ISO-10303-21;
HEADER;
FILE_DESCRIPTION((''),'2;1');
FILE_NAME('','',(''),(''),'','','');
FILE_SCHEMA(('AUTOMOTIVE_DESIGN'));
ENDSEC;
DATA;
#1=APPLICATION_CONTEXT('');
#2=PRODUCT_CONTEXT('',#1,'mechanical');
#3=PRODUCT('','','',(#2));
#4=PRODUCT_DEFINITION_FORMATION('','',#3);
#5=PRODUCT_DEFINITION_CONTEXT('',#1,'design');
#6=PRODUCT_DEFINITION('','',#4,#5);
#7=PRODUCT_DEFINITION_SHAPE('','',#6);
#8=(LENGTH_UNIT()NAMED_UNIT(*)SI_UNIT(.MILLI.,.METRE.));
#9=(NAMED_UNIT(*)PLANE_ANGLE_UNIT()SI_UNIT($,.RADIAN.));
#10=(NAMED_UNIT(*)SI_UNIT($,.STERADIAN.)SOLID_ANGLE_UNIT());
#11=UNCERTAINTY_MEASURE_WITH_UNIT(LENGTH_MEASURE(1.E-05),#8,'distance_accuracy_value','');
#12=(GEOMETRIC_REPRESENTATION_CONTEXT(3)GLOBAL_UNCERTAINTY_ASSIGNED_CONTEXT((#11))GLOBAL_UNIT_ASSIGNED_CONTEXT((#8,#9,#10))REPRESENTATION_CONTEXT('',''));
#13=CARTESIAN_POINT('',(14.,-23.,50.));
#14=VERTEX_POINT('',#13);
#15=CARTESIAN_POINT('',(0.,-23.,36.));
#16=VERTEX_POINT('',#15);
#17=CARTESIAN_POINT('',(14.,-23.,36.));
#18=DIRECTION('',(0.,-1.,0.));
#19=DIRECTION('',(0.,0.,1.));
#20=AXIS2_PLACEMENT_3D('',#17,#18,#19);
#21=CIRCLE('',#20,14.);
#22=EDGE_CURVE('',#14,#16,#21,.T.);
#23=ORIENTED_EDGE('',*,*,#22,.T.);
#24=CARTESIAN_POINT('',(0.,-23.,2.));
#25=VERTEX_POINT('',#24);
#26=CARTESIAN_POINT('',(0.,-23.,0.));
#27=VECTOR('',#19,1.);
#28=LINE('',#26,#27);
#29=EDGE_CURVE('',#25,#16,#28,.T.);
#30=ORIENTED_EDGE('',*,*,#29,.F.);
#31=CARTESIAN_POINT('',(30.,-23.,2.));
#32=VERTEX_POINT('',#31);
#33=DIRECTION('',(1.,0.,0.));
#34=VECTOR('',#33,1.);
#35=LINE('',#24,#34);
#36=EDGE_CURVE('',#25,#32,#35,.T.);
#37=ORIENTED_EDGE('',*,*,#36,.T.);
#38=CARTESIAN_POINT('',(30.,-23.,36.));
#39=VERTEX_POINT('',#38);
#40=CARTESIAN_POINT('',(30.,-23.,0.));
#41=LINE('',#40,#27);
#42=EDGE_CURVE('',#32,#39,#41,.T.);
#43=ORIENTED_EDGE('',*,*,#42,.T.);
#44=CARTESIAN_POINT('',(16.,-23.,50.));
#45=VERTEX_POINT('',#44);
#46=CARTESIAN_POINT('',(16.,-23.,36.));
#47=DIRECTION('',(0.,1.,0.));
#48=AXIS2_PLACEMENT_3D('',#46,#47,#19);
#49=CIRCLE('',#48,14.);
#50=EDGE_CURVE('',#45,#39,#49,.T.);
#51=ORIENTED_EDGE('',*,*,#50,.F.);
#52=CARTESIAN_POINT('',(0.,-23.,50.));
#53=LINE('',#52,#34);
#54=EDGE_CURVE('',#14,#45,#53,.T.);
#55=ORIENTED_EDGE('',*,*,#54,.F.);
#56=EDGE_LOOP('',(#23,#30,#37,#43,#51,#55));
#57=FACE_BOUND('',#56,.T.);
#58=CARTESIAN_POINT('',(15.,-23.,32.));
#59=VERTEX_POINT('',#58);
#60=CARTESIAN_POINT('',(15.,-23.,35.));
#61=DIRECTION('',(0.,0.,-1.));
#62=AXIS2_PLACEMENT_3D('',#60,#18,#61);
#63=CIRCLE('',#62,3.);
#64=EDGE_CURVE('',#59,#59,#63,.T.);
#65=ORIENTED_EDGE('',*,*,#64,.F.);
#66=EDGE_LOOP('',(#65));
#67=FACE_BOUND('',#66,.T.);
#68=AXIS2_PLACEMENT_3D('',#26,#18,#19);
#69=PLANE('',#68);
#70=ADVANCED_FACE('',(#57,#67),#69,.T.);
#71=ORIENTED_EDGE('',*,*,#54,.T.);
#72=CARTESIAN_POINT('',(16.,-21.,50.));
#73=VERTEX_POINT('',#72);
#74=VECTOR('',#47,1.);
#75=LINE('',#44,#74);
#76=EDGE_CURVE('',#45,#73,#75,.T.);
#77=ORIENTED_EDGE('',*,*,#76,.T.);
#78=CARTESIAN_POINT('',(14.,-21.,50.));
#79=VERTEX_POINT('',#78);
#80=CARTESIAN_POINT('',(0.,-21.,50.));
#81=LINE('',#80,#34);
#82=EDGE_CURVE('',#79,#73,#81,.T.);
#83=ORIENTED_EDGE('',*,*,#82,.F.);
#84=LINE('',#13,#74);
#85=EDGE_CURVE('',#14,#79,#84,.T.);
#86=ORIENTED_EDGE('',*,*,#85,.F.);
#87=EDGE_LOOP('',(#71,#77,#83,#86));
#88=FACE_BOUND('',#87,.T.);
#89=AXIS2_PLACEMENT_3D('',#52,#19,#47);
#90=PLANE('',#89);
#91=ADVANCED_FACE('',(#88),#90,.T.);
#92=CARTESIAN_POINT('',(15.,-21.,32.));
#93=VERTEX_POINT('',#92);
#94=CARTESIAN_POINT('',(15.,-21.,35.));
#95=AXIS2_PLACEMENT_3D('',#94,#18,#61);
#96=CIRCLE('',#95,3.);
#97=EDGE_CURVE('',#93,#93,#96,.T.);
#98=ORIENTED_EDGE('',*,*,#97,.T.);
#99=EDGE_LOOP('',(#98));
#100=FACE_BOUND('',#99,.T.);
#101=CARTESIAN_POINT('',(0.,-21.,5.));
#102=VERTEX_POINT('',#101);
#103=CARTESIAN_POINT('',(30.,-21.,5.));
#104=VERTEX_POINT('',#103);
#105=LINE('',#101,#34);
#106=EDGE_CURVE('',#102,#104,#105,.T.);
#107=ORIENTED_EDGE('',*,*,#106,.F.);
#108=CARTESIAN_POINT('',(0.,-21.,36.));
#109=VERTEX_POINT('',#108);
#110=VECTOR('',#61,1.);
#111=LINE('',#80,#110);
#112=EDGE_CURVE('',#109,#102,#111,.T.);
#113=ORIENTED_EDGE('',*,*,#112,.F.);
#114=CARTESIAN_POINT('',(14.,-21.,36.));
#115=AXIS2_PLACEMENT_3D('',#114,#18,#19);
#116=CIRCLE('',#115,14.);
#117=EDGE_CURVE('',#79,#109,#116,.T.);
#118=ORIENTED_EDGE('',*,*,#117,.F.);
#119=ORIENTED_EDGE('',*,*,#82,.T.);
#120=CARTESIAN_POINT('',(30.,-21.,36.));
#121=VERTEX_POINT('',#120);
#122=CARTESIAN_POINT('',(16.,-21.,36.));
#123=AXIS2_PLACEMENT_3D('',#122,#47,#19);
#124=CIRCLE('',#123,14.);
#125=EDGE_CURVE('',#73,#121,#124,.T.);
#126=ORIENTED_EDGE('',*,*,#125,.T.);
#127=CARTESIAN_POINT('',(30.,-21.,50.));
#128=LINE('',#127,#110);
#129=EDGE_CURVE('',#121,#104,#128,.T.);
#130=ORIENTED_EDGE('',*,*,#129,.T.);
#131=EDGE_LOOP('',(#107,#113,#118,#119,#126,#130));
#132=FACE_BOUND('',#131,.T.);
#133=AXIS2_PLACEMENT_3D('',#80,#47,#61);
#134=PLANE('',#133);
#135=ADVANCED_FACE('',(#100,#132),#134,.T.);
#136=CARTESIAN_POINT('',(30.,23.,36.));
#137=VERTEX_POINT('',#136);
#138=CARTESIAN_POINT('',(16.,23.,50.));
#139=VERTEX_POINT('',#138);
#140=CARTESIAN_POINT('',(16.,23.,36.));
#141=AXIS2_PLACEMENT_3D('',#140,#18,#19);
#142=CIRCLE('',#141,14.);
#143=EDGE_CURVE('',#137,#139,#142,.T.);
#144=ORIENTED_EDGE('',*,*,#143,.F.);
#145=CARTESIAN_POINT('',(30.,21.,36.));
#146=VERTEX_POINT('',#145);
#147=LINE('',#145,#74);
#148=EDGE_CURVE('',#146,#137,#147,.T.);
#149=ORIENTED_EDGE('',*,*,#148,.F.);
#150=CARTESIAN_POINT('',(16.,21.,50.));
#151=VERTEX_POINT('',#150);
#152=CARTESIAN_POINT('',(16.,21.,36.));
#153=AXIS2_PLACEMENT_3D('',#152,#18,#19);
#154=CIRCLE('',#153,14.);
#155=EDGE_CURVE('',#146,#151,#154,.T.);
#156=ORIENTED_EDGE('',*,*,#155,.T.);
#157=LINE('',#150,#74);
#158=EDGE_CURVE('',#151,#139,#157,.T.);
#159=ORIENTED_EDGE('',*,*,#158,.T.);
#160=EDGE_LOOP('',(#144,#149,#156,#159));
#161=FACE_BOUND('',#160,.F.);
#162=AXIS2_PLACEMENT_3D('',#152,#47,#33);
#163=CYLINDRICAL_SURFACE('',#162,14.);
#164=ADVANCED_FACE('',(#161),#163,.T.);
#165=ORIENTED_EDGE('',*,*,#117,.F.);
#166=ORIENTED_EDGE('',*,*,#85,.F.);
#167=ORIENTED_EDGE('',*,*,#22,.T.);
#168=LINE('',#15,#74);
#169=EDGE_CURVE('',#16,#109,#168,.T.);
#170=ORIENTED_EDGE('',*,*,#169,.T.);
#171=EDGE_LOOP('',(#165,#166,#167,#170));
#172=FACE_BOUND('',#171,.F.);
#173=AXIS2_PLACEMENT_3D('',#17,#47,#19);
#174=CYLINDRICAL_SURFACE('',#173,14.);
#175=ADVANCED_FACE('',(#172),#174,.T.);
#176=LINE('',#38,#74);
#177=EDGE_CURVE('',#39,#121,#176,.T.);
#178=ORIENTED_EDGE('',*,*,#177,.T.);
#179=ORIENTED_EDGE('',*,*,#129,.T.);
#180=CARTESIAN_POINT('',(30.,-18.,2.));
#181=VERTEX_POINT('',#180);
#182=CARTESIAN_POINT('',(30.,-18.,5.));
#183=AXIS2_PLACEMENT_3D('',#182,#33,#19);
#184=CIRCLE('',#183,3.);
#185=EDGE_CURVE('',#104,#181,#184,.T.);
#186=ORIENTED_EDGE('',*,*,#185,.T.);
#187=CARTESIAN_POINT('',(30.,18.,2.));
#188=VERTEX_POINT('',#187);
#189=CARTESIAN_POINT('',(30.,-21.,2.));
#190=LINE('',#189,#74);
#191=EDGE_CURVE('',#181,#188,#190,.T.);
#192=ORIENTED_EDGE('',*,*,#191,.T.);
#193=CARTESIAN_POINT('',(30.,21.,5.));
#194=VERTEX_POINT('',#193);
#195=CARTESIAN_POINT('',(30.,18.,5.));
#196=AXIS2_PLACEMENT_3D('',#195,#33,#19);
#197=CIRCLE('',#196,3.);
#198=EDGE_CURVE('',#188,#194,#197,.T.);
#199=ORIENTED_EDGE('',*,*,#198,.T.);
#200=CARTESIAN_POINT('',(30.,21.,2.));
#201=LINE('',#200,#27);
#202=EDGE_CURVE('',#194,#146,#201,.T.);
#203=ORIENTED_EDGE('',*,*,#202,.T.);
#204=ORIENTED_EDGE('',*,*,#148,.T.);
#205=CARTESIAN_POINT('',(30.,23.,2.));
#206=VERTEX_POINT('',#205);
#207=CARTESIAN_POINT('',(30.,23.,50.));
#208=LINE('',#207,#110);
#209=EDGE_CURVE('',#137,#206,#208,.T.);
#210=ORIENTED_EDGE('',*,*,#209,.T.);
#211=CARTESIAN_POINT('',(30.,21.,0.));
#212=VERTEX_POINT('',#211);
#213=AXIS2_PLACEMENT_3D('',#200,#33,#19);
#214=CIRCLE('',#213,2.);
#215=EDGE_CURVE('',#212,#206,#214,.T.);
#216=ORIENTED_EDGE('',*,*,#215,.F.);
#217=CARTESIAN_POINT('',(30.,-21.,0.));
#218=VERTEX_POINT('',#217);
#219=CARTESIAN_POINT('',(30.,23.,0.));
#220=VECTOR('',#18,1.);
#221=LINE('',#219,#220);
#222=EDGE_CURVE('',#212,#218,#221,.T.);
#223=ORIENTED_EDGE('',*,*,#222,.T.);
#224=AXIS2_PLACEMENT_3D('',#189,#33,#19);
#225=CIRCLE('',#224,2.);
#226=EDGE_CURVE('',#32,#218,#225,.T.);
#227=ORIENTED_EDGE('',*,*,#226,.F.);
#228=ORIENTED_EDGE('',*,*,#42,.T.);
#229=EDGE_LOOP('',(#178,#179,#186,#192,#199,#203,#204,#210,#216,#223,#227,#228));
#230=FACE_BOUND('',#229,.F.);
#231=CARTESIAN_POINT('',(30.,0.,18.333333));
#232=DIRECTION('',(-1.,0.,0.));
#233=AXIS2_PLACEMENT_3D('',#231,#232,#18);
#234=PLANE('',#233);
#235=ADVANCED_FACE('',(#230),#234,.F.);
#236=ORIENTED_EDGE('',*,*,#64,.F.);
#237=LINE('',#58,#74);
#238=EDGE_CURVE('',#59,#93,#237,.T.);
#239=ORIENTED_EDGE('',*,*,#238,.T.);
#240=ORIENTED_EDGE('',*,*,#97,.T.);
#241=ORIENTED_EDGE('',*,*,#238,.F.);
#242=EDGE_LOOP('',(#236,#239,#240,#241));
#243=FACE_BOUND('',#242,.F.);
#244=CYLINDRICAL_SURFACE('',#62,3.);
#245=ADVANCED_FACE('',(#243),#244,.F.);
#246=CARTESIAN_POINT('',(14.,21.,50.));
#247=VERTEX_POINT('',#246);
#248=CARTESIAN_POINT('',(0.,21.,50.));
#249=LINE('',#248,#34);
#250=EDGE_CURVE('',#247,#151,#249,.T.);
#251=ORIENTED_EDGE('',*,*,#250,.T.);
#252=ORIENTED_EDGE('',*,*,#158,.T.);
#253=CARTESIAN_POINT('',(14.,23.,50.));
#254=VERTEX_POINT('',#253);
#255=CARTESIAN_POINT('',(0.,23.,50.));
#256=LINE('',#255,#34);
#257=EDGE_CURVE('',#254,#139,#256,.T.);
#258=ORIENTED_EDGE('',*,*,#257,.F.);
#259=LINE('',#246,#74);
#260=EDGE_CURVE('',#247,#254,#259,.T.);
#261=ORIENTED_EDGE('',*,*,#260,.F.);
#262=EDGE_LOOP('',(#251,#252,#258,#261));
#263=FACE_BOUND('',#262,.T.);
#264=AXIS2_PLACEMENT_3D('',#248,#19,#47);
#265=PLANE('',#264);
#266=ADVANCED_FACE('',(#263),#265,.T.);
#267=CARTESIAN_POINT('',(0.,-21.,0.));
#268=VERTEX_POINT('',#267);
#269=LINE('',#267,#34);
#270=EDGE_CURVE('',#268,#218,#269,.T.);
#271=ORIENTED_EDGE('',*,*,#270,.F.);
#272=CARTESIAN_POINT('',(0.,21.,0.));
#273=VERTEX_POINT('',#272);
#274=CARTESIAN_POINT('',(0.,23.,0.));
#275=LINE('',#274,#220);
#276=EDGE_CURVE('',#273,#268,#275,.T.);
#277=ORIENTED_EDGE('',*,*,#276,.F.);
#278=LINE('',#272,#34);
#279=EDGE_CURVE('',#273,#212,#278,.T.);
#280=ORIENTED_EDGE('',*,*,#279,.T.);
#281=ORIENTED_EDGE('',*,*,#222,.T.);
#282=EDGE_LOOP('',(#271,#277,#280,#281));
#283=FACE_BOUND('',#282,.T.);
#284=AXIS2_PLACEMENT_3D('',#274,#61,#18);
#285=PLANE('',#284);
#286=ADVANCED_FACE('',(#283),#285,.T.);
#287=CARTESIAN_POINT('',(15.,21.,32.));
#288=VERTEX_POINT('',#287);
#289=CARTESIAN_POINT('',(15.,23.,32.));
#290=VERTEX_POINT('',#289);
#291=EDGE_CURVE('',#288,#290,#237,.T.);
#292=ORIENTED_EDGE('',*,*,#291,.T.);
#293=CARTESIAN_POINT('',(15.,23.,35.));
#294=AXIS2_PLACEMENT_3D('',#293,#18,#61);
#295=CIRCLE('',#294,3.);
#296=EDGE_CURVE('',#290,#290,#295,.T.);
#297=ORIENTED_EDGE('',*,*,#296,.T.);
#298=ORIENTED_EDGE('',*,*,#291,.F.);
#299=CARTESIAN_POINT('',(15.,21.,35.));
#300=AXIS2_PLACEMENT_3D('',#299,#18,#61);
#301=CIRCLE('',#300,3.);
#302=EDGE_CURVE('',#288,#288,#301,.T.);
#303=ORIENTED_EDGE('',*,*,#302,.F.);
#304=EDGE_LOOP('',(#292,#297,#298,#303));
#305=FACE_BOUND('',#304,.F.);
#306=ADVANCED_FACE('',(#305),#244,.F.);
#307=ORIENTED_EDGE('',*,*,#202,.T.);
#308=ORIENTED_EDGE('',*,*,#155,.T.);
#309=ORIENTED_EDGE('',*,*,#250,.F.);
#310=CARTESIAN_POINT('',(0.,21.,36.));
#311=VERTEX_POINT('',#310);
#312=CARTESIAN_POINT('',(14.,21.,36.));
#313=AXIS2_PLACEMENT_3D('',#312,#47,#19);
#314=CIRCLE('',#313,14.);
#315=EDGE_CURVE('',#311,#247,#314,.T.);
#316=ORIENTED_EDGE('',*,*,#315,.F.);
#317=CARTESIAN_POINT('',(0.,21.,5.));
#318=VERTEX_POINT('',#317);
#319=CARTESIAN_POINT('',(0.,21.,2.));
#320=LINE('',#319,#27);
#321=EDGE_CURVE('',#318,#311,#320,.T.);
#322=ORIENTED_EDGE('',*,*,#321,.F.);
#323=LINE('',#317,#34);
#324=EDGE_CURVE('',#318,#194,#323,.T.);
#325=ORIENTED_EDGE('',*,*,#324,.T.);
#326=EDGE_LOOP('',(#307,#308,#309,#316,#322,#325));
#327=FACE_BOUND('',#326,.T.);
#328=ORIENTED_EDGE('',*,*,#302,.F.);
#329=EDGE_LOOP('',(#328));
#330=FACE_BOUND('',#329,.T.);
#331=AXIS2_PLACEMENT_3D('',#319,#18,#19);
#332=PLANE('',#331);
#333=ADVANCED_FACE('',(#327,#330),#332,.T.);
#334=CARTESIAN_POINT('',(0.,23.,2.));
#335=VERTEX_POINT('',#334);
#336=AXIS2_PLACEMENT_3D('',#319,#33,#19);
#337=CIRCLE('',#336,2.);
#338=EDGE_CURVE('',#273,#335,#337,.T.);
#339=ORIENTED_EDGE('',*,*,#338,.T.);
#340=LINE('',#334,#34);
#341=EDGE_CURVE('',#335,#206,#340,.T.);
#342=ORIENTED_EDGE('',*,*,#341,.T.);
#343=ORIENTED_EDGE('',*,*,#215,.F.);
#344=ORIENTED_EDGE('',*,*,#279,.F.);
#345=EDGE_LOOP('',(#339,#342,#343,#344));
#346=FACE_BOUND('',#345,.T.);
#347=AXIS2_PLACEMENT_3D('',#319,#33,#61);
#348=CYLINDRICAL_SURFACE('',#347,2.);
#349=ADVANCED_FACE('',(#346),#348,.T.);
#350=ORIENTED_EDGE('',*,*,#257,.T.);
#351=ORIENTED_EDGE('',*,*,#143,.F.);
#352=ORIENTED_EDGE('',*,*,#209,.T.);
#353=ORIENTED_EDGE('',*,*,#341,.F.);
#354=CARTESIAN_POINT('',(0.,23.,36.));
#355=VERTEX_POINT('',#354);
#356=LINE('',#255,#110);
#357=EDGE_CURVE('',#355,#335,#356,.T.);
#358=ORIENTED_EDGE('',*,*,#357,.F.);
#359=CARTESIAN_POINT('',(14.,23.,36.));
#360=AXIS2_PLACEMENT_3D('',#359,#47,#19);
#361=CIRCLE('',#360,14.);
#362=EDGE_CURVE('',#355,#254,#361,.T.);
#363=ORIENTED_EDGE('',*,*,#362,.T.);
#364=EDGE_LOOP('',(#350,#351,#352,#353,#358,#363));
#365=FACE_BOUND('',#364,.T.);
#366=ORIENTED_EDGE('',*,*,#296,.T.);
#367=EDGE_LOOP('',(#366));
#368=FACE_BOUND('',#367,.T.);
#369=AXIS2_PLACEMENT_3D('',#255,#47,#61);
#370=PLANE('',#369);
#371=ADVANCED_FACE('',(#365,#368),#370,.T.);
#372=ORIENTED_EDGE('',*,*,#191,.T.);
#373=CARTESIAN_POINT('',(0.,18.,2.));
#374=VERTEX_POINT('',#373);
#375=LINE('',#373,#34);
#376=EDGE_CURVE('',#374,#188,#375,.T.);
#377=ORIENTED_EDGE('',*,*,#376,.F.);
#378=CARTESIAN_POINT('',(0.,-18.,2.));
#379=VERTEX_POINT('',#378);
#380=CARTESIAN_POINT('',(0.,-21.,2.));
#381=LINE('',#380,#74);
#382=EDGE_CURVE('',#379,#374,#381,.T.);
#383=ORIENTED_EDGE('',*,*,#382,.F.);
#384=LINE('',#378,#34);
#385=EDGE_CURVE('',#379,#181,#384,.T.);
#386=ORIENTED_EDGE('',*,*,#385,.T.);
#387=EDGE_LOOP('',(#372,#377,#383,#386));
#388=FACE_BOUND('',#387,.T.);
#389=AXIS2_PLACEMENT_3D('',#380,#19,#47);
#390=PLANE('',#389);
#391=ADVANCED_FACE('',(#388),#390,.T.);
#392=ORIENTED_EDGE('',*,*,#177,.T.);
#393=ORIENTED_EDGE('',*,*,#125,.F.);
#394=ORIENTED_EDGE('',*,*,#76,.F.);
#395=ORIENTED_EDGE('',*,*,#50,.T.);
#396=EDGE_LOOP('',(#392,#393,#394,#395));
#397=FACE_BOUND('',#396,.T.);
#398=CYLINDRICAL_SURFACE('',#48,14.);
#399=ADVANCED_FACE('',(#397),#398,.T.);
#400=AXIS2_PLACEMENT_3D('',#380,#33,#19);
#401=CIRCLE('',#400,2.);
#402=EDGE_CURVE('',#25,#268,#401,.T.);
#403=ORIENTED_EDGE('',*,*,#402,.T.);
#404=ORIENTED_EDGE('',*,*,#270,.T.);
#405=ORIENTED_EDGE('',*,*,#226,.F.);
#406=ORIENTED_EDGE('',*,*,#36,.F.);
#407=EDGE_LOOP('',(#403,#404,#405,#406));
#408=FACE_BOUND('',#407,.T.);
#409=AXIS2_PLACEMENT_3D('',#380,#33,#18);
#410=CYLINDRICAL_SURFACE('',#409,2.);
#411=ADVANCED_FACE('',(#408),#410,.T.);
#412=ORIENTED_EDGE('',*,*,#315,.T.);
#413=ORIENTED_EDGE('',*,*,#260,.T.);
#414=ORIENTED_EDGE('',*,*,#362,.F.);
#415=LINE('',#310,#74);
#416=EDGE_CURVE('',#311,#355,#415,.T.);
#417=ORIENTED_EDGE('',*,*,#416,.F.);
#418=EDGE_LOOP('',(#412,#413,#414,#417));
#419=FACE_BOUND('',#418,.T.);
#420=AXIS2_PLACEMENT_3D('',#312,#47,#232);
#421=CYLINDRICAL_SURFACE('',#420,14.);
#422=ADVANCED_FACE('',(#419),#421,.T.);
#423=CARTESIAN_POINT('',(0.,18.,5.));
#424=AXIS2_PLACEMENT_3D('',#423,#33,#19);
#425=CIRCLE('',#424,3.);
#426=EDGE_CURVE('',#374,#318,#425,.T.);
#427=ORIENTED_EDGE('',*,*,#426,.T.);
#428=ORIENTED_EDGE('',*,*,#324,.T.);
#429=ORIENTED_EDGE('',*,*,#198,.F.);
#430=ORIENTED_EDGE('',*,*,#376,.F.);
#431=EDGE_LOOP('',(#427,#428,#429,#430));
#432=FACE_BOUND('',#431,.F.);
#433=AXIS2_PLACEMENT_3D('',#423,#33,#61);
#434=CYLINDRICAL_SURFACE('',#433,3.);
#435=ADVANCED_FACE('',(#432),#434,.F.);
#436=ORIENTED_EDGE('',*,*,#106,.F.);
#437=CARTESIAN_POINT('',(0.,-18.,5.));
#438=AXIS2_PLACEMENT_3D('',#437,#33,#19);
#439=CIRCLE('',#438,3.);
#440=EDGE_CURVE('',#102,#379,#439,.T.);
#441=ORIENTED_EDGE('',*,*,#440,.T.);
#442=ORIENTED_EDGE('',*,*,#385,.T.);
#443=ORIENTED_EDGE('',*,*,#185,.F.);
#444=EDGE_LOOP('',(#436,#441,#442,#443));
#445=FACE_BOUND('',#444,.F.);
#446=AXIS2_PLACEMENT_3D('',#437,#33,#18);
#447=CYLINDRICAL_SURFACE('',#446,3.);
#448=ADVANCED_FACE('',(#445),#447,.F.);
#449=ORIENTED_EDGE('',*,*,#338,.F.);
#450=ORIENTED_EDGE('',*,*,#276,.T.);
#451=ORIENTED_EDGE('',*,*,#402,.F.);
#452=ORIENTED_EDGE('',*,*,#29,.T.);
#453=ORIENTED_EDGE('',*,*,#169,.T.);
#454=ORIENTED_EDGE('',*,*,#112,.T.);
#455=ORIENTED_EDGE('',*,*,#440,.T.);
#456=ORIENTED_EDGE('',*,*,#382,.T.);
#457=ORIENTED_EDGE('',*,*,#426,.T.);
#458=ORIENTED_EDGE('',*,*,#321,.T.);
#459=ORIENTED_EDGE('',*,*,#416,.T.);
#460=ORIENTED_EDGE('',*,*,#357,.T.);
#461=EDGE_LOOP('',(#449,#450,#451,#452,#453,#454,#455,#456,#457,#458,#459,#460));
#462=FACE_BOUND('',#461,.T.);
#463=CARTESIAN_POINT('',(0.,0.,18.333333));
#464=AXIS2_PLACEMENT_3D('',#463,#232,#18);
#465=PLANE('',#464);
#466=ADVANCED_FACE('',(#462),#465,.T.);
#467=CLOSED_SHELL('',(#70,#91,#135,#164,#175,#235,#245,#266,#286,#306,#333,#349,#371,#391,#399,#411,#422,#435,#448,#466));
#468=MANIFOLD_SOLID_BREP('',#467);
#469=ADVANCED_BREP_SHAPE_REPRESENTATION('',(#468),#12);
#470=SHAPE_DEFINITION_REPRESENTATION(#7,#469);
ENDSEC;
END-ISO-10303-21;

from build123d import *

# Parameters (mm, degrees)
PAD020_DEPTH  = 30
SKETCH004_R   = 3
HOLE003_DEPTH = 46.001
FILLET_R      = 14
FILLET011_R   = 3
FILLET012_R   = 2


with BuildPart() as part:
    # Sketch036 → Pad020 (new body)
    with BuildSketch(Plane.YZ):
        Polygon((-23, 50), (-21, 50), (-21, 2), (21, 2), (21, 50), (23, 50), (23, 0), (-23, 0), align=None)
    extrude(amount=PAD020_DEPTH)

    # Sketch004 (on Face8 of Pad020) → Hole003 (cut, through all)
    with BuildSketch(Plane(origin=(0, -23, 0), x_dir=(0, 0, -1), z_dir=(0, -1, 0))):
        with Locations((-35, 15)):
            Circle(SKETCH004_R)
    extrude(amount=-HOLE003_DEPTH, mode=Mode.SUBTRACT)

    # Fillet
    fillet_edges = [part.edges().sort_by_distance(p)[0] for p in [
        (30, 22, 50),
        (30, -22, 50),
        (0, -22, 50),
        (0, 22, 50),
    ]]
    fillet(fillet_edges, radius=FILLET_R)

    # Fillet011
    fillet011_edges = [part.edges().sort_by_distance(p)[0] for p in [
        (15, 21, 2),
        (15, -21, 2),
    ]]
    fillet(fillet011_edges, radius=FILLET011_R)

    # Fillet012
    fillet012_edges = [part.edges().sort_by_distance(p)[0] for p in [
        (15, -23, 0),
        (15, 23, 0),
    ]]
    fillet(fillet012_edges, radius=FILLET012_R)


solid = part.part
